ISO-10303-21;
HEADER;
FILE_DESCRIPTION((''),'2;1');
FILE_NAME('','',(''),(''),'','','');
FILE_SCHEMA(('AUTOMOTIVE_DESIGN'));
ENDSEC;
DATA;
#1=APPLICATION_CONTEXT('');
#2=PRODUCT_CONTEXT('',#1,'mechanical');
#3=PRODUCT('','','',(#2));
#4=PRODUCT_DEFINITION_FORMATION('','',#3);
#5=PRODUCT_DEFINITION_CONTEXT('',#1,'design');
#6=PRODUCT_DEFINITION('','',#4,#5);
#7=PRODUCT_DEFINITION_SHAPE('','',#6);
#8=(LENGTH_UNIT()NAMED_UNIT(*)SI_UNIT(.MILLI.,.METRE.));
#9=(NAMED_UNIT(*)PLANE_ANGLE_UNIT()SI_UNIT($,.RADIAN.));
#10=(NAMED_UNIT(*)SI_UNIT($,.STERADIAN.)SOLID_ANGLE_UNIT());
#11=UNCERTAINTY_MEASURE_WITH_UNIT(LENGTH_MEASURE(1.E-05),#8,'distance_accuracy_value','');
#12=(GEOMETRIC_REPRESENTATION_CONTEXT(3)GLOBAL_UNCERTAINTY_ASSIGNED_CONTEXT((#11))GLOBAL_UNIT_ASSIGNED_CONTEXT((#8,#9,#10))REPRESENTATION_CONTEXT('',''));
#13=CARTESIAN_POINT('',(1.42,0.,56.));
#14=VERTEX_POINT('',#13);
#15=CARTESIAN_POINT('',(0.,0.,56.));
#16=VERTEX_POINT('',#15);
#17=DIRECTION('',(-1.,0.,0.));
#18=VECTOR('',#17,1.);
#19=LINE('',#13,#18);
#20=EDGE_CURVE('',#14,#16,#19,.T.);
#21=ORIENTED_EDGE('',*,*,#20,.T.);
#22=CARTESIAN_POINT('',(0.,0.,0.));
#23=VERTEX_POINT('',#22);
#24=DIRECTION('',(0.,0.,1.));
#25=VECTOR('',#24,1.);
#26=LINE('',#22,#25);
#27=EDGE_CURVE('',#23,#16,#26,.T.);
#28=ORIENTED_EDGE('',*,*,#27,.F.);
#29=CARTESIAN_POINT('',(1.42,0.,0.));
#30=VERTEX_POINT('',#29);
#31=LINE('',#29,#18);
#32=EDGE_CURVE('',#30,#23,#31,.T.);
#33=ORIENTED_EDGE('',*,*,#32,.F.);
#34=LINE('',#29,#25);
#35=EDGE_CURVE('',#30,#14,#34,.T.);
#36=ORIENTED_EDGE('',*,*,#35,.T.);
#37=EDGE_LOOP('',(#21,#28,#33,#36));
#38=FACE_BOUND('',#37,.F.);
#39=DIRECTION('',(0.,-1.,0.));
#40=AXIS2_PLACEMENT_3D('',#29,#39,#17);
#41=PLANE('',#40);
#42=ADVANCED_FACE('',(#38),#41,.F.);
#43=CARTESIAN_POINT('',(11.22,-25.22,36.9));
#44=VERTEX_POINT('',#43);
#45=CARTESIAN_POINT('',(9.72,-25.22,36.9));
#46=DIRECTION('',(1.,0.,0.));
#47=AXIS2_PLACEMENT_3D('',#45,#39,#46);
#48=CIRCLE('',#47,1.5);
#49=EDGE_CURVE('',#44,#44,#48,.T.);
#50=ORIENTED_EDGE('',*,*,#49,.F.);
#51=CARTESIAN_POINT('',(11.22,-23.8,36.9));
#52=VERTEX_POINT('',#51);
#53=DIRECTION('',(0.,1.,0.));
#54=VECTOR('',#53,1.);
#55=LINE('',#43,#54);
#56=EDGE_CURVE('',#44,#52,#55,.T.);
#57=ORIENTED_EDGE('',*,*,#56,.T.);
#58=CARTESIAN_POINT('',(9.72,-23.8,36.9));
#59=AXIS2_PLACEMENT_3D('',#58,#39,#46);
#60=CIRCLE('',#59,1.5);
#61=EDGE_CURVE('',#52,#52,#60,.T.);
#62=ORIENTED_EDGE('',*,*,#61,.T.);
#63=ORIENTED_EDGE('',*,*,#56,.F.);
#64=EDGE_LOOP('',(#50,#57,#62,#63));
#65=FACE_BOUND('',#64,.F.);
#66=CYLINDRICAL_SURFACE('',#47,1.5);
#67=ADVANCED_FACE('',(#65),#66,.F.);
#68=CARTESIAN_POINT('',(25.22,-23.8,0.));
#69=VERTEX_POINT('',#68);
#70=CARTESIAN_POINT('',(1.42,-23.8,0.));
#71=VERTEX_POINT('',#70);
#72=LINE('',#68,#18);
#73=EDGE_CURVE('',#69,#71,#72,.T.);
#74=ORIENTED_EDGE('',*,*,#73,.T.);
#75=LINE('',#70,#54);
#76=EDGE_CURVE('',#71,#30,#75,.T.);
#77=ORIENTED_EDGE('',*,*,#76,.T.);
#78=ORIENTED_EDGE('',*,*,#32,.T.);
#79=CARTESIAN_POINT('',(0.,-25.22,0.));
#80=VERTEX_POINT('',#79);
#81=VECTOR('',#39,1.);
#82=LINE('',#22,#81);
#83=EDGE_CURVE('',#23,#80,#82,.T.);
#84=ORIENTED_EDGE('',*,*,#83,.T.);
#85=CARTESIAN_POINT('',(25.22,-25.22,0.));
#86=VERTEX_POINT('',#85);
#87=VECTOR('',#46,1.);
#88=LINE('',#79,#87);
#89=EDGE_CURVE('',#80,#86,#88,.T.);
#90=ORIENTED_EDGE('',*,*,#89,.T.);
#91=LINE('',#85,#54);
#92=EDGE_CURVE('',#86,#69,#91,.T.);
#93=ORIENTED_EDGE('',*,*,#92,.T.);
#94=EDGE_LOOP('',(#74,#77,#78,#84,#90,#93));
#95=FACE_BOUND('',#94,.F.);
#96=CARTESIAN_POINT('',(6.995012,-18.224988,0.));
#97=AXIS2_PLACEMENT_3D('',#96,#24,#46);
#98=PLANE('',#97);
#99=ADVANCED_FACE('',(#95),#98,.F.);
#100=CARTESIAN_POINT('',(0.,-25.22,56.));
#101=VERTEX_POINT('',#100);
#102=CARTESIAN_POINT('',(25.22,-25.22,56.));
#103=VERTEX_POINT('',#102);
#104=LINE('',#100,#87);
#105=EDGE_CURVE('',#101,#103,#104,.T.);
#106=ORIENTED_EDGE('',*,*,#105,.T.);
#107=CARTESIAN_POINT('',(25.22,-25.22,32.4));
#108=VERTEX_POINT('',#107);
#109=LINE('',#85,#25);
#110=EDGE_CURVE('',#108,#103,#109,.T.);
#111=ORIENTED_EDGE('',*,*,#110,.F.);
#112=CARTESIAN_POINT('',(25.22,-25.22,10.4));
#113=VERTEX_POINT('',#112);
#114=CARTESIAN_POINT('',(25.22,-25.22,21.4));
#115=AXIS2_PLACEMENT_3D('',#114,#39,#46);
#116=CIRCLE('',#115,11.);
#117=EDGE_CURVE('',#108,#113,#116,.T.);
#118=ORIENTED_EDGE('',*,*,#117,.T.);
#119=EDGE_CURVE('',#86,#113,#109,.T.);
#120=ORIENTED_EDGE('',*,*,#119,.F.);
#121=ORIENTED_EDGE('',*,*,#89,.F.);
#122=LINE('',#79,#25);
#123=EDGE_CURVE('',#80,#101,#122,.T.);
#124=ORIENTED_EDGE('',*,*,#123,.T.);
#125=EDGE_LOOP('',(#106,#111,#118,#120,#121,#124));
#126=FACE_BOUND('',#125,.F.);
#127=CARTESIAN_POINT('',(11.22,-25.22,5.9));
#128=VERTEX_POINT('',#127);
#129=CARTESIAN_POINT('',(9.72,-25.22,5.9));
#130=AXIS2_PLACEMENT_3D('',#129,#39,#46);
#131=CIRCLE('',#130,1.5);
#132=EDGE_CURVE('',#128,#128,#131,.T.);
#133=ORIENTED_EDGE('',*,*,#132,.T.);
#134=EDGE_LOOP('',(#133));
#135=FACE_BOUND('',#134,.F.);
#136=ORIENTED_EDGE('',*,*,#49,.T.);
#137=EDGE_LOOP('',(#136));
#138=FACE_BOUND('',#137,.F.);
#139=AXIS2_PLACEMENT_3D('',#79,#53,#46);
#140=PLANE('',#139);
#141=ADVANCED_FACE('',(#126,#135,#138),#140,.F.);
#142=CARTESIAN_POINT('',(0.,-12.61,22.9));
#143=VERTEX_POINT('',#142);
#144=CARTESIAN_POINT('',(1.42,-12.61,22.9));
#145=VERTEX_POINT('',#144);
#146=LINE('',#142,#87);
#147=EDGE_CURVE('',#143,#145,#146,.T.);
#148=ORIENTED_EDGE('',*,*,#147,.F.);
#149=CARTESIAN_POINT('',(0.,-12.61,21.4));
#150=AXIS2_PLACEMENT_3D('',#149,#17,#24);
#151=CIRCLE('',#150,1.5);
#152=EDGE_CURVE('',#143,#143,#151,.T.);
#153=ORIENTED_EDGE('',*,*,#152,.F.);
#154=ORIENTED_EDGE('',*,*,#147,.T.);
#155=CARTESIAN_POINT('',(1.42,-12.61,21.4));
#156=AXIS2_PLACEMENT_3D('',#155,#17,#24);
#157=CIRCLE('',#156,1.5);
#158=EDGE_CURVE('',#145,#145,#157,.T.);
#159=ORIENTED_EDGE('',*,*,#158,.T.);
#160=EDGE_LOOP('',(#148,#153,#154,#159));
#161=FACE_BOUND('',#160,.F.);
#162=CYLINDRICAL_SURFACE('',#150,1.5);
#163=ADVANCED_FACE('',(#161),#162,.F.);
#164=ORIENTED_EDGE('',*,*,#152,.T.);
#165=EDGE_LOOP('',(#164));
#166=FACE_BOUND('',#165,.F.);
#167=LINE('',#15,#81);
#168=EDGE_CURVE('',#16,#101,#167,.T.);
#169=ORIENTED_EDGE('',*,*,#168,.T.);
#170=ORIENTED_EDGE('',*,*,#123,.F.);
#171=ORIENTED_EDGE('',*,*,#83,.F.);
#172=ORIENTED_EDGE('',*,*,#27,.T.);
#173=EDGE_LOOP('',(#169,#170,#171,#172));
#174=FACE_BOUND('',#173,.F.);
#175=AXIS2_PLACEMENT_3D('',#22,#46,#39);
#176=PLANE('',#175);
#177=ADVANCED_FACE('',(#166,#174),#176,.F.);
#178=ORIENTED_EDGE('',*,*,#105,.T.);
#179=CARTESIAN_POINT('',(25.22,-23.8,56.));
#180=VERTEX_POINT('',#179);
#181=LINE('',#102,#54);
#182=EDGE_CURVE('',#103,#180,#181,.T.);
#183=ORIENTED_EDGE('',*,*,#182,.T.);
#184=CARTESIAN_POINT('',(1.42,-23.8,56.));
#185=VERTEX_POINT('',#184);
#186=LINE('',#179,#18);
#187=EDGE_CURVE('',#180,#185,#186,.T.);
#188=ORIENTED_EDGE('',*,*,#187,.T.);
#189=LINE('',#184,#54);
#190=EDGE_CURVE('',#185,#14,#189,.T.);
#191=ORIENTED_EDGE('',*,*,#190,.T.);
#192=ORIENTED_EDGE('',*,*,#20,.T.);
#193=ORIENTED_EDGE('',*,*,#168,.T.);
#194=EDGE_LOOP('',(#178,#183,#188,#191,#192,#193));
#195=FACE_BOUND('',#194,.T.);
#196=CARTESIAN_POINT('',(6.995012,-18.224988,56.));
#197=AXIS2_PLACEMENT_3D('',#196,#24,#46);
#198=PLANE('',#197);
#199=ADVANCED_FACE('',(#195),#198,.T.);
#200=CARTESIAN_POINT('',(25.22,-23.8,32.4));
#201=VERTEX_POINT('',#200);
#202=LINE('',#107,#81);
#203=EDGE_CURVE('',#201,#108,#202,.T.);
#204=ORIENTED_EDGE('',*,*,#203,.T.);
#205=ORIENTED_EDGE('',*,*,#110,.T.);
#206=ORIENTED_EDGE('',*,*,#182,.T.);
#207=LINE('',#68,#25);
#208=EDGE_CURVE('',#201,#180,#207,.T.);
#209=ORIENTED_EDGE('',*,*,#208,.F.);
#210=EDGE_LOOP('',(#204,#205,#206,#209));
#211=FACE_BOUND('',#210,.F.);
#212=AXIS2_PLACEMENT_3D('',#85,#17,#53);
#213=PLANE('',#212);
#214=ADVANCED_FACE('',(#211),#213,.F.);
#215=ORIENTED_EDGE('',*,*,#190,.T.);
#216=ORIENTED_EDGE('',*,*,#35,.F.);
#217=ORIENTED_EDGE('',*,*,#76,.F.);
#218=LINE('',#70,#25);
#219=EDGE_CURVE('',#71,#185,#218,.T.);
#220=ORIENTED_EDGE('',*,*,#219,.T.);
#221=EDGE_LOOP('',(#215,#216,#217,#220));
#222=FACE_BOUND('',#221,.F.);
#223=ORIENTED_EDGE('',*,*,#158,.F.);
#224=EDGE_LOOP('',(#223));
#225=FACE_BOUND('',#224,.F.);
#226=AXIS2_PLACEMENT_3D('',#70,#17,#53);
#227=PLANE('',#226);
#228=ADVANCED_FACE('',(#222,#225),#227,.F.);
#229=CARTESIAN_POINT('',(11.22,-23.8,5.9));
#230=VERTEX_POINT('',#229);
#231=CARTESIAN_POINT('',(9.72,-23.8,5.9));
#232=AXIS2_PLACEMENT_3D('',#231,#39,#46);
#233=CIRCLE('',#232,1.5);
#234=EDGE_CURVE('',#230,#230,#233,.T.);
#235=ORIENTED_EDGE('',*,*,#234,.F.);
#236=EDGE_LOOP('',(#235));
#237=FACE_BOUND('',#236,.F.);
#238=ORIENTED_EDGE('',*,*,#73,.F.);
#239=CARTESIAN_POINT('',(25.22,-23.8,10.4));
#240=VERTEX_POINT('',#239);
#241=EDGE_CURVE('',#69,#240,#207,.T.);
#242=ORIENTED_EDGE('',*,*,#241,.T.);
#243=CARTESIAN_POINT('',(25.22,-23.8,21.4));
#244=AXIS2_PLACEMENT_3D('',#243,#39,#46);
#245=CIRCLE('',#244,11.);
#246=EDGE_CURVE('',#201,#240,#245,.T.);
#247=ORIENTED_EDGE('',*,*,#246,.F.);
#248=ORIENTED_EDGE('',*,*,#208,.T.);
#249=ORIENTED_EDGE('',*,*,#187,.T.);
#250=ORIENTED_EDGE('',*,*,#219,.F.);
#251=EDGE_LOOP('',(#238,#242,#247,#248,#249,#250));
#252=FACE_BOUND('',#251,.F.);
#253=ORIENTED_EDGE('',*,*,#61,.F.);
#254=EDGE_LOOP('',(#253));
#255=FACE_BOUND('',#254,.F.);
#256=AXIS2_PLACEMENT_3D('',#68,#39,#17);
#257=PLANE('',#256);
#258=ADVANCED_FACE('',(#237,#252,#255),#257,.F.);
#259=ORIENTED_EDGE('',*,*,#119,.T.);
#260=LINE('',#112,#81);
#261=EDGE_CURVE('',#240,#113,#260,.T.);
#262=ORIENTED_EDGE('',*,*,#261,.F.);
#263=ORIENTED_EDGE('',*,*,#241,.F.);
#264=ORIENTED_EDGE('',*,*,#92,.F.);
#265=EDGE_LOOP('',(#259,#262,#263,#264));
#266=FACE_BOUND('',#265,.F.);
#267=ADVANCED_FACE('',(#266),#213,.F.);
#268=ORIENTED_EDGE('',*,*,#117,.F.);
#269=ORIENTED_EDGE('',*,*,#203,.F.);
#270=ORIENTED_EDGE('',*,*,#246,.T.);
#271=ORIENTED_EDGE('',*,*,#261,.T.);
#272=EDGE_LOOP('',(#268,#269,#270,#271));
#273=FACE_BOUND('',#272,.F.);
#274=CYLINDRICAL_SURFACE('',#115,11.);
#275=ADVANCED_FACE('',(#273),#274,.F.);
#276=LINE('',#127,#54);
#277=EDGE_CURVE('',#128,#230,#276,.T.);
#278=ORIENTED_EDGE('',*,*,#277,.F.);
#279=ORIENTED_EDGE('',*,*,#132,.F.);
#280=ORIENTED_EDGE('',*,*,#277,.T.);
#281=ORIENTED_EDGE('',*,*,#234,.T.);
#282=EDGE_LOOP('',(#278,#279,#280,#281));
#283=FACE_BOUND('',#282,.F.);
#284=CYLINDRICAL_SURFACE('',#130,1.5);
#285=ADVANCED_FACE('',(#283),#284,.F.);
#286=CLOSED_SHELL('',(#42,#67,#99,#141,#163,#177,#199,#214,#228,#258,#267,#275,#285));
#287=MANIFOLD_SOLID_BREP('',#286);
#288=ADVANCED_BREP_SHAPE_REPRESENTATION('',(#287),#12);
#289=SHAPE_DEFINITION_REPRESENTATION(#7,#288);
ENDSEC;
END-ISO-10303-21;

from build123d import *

# Parameters (mm, degrees)
EXTRUDE1_DEPTH     = 56
SKETCH2_R          = 1.5
CUT_EXTRUDE1_DEPTH = 26.22
SKETCH3_R          = 11
CUT_EXTRUDE2_DEPTH = 26.22
SKETCH4_R          = 1.5
CUT_EXTRUDE3_DEPTH = 26.22
SKETCH5_R          = 1.5
CUT_EXTRUDE4_DEPTH = 26.22


with BuildPart() as part:
    # Sketch1 → Extrude1 (new body)
    with BuildSketch(Plane.XY):
        Polygon((0, 0), (0, -25.22), (25.22, -25.22), (25.22, -23.8), (1.42, -23.8), (1.42, 0), align=None)
    extrude(amount=EXTRUDE1_DEPTH)

    # Sketch2 → Cut-Extrude1 (cut, through all)
    with BuildSketch(Plane.ZY):
        with Locations((21.4, -12.61)):
            Circle(SKETCH2_R)
    extrude(amount=-CUT_EXTRUDE1_DEPTH, mode=Mode.SUBTRACT)

    # Sketch3 → Cut-Extrude2 (cut, through all)
    with BuildSketch(Plane.XZ.offset(25.22)):
        with Locations((25.22, 21.4)):
            Circle(SKETCH3_R)
    extrude(amount=-CUT_EXTRUDE2_DEPTH, mode=Mode.SUBTRACT)

    # Sketch4 → Cut-Extrude3 (cut, through all)
    with BuildSketch(Plane.XZ.offset(25.22)):
        with Locations((9.72, 36.9)):
            Circle(SKETCH4_R)
    extrude(amount=-CUT_EXTRUDE3_DEPTH, mode=Mode.SUBTRACT)

    # Sketch5 → Cut-Extrude4 (cut, through all)
    with BuildSketch(Plane.XZ.offset(25.22)):
        with Locations((9.72, 5.9)):
            Circle(SKETCH5_R)
    extrude(amount=-CUT_EXTRUDE4_DEPTH, mode=Mode.SUBTRACT)


solid = part.part
